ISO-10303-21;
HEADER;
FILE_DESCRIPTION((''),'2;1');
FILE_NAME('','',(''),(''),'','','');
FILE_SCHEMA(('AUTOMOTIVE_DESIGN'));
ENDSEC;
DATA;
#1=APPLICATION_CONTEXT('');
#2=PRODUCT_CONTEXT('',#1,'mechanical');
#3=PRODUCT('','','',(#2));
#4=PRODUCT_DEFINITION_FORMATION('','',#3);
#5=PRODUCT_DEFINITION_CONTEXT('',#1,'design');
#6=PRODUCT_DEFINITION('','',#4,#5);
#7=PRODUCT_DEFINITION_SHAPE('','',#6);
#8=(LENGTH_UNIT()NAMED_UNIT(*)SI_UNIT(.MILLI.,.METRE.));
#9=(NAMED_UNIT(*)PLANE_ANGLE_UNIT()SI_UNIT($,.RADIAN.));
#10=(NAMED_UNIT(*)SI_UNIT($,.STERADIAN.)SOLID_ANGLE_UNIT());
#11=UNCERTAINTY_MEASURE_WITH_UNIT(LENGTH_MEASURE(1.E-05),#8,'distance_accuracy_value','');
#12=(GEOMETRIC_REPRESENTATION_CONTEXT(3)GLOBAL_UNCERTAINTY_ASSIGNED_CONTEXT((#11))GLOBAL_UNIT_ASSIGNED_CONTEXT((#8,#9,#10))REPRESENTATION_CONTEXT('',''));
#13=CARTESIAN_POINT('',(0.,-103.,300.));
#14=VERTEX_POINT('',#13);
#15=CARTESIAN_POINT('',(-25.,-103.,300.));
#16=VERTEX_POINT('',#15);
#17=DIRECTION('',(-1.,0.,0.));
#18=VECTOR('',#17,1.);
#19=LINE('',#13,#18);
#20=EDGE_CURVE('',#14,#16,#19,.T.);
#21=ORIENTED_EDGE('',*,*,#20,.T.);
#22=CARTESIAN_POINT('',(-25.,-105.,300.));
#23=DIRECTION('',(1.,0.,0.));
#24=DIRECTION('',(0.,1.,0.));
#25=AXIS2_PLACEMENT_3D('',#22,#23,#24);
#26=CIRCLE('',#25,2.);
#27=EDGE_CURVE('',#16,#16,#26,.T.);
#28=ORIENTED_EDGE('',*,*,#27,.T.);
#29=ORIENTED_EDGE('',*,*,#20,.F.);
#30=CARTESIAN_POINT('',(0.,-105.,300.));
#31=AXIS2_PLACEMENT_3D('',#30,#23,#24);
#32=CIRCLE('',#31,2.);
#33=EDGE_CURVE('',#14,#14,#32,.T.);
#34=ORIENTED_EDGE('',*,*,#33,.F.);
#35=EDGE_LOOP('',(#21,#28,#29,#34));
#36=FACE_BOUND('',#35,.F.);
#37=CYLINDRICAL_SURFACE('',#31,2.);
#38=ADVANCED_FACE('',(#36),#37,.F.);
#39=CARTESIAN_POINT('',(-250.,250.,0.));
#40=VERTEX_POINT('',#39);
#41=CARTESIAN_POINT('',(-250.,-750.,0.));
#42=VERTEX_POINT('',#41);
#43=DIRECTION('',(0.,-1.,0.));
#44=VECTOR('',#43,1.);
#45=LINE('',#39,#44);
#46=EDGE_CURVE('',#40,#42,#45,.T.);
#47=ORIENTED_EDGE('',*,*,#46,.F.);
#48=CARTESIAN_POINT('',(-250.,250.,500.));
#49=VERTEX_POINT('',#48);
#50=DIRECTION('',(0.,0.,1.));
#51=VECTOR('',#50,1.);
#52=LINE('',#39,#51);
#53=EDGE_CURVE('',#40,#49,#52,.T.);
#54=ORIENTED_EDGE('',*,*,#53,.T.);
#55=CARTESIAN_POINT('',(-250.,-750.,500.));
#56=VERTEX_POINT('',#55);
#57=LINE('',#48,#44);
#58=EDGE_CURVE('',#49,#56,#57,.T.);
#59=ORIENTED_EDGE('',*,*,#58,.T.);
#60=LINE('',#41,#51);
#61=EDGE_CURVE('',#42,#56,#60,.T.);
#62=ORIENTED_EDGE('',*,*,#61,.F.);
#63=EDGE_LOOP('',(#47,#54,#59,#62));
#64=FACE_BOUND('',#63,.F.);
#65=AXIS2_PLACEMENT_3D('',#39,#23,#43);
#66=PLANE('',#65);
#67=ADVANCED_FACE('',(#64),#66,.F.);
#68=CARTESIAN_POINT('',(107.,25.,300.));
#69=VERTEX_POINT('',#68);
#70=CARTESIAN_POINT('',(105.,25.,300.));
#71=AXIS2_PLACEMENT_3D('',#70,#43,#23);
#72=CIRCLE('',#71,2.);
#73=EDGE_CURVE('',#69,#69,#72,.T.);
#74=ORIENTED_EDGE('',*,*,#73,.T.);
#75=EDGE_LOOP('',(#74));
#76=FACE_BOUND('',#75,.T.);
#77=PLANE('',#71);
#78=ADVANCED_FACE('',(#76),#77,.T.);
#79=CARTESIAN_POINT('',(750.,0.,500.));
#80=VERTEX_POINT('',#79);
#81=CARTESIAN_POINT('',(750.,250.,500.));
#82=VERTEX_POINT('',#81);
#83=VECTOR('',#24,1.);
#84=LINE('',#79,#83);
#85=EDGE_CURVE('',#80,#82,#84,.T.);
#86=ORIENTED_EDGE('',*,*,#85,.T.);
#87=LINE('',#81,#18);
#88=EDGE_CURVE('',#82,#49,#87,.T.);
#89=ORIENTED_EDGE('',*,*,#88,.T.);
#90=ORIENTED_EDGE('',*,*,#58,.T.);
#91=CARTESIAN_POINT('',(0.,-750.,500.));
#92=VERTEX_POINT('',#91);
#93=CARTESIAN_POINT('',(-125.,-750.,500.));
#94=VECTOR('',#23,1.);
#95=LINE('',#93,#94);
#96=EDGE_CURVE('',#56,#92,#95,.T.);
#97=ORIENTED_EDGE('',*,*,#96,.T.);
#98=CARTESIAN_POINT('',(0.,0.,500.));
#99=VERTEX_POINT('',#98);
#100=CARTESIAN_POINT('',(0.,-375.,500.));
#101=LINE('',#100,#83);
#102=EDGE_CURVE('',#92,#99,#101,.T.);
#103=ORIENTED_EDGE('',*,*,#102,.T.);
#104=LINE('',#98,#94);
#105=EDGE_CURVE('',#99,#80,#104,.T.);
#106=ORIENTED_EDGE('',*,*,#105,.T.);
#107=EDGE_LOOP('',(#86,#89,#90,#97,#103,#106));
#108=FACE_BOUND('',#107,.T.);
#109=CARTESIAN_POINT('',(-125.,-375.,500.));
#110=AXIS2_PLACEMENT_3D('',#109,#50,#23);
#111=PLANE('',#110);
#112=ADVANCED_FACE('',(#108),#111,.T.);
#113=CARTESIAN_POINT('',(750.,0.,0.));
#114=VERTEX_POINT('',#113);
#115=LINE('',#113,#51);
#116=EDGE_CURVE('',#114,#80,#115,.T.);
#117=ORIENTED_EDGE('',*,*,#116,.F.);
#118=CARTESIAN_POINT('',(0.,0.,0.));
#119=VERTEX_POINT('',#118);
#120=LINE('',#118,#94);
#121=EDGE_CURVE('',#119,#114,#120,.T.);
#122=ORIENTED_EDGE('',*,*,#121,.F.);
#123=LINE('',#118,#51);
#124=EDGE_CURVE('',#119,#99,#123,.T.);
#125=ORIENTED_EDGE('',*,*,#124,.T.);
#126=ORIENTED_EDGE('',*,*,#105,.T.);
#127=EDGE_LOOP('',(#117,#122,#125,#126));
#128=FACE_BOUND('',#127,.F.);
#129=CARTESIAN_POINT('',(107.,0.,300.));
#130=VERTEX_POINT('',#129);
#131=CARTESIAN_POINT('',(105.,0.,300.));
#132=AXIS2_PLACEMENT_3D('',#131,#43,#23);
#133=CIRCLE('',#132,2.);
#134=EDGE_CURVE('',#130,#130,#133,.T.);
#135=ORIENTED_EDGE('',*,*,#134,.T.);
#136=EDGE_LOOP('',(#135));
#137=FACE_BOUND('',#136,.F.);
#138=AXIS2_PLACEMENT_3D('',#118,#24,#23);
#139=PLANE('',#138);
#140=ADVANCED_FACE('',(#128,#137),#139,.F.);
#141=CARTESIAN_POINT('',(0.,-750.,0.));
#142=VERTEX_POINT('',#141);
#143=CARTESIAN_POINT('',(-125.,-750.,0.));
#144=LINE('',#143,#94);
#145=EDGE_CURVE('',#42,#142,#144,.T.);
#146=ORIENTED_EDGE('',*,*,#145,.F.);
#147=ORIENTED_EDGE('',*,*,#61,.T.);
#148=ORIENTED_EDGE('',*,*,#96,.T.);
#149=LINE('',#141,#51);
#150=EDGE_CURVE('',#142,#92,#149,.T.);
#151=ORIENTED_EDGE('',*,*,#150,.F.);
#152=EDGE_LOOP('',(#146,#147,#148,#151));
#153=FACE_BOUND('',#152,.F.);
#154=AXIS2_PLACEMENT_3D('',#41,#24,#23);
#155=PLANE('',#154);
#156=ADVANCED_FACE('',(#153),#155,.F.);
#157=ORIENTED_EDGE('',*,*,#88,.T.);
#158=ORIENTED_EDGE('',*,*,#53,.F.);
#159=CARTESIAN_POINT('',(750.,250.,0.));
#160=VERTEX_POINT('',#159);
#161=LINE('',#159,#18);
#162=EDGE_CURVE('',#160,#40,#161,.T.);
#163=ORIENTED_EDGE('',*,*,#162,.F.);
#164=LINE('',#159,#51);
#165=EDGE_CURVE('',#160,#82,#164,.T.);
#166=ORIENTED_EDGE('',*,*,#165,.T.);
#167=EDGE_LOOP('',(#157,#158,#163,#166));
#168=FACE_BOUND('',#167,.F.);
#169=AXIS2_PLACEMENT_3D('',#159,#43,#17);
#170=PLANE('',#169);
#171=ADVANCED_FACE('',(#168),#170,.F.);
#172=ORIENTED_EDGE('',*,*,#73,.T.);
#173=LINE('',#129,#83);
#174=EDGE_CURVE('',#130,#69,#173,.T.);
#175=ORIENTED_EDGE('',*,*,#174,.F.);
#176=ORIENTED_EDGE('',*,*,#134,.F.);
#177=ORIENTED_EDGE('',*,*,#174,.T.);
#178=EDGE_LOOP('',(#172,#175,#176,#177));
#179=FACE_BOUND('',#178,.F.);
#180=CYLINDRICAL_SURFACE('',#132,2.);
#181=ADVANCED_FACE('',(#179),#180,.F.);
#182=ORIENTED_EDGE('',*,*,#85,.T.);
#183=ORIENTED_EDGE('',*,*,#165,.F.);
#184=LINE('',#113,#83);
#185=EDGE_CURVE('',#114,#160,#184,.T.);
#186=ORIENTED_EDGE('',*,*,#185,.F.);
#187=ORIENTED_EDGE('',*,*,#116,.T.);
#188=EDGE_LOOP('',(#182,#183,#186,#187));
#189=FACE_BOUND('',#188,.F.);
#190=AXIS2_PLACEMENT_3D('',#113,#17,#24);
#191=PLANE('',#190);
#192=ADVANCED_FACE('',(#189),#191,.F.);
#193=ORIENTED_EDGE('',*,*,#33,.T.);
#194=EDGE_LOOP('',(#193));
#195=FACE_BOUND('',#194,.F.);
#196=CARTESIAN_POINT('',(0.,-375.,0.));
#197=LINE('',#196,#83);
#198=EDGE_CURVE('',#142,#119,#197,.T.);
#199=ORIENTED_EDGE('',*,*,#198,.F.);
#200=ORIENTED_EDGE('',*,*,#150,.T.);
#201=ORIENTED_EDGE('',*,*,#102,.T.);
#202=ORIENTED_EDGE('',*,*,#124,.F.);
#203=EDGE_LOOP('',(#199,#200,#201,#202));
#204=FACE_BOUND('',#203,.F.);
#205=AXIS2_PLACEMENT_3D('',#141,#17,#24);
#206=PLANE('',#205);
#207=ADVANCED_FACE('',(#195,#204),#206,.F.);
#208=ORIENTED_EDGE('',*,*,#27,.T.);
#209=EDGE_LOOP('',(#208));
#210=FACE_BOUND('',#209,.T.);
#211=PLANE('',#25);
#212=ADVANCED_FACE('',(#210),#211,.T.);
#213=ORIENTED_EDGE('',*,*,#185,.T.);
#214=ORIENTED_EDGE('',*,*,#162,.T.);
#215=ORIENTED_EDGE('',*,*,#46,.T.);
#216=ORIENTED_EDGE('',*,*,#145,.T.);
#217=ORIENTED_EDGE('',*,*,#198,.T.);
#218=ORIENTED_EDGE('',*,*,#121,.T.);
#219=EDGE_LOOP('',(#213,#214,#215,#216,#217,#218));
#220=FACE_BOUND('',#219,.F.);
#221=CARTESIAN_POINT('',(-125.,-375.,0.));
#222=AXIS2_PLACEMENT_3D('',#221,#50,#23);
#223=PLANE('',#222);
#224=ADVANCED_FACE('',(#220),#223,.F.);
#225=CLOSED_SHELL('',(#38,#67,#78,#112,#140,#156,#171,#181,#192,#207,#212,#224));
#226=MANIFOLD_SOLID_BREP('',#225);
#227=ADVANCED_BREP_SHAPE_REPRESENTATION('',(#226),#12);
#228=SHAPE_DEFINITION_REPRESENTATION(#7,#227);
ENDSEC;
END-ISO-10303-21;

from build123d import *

# Parameters (mm, degrees)
F0_W     = 250
F0_H     = 750
F1_DEPTH = 500
F2_R     = 2
F3_DEPTH = 25
F4_R     = 2
F5_DEPTH = 25


with BuildPart() as f1:
    # F0 (on Top) → F1 (new body)
    with BuildSketch(Plane.XY):
        with Locations((-125, -375)):
            Rectangle(F0_W, F0_H)
        Polygon((-250, 0), (0, 0), (750, 0), (750, 250), (-250, 250), align=None)
    extrude(amount=F1_DEPTH)

    # F2 (on face) → F3 (cut)
    with BuildSketch(Plane.YZ):
        with Locations((-105, 300)):
            Circle(F2_R)
    extrude(amount=-F3_DEPTH, mode=Mode.SUBTRACT)

    # F4 (on face) → F5 (cut)
    with BuildSketch(Plane.XZ):
        with Locations((105, 300)):
            Circle(F4_R)
    extrude(amount=-F5_DEPTH, mode=Mode.SUBTRACT)


solid = f1.part
